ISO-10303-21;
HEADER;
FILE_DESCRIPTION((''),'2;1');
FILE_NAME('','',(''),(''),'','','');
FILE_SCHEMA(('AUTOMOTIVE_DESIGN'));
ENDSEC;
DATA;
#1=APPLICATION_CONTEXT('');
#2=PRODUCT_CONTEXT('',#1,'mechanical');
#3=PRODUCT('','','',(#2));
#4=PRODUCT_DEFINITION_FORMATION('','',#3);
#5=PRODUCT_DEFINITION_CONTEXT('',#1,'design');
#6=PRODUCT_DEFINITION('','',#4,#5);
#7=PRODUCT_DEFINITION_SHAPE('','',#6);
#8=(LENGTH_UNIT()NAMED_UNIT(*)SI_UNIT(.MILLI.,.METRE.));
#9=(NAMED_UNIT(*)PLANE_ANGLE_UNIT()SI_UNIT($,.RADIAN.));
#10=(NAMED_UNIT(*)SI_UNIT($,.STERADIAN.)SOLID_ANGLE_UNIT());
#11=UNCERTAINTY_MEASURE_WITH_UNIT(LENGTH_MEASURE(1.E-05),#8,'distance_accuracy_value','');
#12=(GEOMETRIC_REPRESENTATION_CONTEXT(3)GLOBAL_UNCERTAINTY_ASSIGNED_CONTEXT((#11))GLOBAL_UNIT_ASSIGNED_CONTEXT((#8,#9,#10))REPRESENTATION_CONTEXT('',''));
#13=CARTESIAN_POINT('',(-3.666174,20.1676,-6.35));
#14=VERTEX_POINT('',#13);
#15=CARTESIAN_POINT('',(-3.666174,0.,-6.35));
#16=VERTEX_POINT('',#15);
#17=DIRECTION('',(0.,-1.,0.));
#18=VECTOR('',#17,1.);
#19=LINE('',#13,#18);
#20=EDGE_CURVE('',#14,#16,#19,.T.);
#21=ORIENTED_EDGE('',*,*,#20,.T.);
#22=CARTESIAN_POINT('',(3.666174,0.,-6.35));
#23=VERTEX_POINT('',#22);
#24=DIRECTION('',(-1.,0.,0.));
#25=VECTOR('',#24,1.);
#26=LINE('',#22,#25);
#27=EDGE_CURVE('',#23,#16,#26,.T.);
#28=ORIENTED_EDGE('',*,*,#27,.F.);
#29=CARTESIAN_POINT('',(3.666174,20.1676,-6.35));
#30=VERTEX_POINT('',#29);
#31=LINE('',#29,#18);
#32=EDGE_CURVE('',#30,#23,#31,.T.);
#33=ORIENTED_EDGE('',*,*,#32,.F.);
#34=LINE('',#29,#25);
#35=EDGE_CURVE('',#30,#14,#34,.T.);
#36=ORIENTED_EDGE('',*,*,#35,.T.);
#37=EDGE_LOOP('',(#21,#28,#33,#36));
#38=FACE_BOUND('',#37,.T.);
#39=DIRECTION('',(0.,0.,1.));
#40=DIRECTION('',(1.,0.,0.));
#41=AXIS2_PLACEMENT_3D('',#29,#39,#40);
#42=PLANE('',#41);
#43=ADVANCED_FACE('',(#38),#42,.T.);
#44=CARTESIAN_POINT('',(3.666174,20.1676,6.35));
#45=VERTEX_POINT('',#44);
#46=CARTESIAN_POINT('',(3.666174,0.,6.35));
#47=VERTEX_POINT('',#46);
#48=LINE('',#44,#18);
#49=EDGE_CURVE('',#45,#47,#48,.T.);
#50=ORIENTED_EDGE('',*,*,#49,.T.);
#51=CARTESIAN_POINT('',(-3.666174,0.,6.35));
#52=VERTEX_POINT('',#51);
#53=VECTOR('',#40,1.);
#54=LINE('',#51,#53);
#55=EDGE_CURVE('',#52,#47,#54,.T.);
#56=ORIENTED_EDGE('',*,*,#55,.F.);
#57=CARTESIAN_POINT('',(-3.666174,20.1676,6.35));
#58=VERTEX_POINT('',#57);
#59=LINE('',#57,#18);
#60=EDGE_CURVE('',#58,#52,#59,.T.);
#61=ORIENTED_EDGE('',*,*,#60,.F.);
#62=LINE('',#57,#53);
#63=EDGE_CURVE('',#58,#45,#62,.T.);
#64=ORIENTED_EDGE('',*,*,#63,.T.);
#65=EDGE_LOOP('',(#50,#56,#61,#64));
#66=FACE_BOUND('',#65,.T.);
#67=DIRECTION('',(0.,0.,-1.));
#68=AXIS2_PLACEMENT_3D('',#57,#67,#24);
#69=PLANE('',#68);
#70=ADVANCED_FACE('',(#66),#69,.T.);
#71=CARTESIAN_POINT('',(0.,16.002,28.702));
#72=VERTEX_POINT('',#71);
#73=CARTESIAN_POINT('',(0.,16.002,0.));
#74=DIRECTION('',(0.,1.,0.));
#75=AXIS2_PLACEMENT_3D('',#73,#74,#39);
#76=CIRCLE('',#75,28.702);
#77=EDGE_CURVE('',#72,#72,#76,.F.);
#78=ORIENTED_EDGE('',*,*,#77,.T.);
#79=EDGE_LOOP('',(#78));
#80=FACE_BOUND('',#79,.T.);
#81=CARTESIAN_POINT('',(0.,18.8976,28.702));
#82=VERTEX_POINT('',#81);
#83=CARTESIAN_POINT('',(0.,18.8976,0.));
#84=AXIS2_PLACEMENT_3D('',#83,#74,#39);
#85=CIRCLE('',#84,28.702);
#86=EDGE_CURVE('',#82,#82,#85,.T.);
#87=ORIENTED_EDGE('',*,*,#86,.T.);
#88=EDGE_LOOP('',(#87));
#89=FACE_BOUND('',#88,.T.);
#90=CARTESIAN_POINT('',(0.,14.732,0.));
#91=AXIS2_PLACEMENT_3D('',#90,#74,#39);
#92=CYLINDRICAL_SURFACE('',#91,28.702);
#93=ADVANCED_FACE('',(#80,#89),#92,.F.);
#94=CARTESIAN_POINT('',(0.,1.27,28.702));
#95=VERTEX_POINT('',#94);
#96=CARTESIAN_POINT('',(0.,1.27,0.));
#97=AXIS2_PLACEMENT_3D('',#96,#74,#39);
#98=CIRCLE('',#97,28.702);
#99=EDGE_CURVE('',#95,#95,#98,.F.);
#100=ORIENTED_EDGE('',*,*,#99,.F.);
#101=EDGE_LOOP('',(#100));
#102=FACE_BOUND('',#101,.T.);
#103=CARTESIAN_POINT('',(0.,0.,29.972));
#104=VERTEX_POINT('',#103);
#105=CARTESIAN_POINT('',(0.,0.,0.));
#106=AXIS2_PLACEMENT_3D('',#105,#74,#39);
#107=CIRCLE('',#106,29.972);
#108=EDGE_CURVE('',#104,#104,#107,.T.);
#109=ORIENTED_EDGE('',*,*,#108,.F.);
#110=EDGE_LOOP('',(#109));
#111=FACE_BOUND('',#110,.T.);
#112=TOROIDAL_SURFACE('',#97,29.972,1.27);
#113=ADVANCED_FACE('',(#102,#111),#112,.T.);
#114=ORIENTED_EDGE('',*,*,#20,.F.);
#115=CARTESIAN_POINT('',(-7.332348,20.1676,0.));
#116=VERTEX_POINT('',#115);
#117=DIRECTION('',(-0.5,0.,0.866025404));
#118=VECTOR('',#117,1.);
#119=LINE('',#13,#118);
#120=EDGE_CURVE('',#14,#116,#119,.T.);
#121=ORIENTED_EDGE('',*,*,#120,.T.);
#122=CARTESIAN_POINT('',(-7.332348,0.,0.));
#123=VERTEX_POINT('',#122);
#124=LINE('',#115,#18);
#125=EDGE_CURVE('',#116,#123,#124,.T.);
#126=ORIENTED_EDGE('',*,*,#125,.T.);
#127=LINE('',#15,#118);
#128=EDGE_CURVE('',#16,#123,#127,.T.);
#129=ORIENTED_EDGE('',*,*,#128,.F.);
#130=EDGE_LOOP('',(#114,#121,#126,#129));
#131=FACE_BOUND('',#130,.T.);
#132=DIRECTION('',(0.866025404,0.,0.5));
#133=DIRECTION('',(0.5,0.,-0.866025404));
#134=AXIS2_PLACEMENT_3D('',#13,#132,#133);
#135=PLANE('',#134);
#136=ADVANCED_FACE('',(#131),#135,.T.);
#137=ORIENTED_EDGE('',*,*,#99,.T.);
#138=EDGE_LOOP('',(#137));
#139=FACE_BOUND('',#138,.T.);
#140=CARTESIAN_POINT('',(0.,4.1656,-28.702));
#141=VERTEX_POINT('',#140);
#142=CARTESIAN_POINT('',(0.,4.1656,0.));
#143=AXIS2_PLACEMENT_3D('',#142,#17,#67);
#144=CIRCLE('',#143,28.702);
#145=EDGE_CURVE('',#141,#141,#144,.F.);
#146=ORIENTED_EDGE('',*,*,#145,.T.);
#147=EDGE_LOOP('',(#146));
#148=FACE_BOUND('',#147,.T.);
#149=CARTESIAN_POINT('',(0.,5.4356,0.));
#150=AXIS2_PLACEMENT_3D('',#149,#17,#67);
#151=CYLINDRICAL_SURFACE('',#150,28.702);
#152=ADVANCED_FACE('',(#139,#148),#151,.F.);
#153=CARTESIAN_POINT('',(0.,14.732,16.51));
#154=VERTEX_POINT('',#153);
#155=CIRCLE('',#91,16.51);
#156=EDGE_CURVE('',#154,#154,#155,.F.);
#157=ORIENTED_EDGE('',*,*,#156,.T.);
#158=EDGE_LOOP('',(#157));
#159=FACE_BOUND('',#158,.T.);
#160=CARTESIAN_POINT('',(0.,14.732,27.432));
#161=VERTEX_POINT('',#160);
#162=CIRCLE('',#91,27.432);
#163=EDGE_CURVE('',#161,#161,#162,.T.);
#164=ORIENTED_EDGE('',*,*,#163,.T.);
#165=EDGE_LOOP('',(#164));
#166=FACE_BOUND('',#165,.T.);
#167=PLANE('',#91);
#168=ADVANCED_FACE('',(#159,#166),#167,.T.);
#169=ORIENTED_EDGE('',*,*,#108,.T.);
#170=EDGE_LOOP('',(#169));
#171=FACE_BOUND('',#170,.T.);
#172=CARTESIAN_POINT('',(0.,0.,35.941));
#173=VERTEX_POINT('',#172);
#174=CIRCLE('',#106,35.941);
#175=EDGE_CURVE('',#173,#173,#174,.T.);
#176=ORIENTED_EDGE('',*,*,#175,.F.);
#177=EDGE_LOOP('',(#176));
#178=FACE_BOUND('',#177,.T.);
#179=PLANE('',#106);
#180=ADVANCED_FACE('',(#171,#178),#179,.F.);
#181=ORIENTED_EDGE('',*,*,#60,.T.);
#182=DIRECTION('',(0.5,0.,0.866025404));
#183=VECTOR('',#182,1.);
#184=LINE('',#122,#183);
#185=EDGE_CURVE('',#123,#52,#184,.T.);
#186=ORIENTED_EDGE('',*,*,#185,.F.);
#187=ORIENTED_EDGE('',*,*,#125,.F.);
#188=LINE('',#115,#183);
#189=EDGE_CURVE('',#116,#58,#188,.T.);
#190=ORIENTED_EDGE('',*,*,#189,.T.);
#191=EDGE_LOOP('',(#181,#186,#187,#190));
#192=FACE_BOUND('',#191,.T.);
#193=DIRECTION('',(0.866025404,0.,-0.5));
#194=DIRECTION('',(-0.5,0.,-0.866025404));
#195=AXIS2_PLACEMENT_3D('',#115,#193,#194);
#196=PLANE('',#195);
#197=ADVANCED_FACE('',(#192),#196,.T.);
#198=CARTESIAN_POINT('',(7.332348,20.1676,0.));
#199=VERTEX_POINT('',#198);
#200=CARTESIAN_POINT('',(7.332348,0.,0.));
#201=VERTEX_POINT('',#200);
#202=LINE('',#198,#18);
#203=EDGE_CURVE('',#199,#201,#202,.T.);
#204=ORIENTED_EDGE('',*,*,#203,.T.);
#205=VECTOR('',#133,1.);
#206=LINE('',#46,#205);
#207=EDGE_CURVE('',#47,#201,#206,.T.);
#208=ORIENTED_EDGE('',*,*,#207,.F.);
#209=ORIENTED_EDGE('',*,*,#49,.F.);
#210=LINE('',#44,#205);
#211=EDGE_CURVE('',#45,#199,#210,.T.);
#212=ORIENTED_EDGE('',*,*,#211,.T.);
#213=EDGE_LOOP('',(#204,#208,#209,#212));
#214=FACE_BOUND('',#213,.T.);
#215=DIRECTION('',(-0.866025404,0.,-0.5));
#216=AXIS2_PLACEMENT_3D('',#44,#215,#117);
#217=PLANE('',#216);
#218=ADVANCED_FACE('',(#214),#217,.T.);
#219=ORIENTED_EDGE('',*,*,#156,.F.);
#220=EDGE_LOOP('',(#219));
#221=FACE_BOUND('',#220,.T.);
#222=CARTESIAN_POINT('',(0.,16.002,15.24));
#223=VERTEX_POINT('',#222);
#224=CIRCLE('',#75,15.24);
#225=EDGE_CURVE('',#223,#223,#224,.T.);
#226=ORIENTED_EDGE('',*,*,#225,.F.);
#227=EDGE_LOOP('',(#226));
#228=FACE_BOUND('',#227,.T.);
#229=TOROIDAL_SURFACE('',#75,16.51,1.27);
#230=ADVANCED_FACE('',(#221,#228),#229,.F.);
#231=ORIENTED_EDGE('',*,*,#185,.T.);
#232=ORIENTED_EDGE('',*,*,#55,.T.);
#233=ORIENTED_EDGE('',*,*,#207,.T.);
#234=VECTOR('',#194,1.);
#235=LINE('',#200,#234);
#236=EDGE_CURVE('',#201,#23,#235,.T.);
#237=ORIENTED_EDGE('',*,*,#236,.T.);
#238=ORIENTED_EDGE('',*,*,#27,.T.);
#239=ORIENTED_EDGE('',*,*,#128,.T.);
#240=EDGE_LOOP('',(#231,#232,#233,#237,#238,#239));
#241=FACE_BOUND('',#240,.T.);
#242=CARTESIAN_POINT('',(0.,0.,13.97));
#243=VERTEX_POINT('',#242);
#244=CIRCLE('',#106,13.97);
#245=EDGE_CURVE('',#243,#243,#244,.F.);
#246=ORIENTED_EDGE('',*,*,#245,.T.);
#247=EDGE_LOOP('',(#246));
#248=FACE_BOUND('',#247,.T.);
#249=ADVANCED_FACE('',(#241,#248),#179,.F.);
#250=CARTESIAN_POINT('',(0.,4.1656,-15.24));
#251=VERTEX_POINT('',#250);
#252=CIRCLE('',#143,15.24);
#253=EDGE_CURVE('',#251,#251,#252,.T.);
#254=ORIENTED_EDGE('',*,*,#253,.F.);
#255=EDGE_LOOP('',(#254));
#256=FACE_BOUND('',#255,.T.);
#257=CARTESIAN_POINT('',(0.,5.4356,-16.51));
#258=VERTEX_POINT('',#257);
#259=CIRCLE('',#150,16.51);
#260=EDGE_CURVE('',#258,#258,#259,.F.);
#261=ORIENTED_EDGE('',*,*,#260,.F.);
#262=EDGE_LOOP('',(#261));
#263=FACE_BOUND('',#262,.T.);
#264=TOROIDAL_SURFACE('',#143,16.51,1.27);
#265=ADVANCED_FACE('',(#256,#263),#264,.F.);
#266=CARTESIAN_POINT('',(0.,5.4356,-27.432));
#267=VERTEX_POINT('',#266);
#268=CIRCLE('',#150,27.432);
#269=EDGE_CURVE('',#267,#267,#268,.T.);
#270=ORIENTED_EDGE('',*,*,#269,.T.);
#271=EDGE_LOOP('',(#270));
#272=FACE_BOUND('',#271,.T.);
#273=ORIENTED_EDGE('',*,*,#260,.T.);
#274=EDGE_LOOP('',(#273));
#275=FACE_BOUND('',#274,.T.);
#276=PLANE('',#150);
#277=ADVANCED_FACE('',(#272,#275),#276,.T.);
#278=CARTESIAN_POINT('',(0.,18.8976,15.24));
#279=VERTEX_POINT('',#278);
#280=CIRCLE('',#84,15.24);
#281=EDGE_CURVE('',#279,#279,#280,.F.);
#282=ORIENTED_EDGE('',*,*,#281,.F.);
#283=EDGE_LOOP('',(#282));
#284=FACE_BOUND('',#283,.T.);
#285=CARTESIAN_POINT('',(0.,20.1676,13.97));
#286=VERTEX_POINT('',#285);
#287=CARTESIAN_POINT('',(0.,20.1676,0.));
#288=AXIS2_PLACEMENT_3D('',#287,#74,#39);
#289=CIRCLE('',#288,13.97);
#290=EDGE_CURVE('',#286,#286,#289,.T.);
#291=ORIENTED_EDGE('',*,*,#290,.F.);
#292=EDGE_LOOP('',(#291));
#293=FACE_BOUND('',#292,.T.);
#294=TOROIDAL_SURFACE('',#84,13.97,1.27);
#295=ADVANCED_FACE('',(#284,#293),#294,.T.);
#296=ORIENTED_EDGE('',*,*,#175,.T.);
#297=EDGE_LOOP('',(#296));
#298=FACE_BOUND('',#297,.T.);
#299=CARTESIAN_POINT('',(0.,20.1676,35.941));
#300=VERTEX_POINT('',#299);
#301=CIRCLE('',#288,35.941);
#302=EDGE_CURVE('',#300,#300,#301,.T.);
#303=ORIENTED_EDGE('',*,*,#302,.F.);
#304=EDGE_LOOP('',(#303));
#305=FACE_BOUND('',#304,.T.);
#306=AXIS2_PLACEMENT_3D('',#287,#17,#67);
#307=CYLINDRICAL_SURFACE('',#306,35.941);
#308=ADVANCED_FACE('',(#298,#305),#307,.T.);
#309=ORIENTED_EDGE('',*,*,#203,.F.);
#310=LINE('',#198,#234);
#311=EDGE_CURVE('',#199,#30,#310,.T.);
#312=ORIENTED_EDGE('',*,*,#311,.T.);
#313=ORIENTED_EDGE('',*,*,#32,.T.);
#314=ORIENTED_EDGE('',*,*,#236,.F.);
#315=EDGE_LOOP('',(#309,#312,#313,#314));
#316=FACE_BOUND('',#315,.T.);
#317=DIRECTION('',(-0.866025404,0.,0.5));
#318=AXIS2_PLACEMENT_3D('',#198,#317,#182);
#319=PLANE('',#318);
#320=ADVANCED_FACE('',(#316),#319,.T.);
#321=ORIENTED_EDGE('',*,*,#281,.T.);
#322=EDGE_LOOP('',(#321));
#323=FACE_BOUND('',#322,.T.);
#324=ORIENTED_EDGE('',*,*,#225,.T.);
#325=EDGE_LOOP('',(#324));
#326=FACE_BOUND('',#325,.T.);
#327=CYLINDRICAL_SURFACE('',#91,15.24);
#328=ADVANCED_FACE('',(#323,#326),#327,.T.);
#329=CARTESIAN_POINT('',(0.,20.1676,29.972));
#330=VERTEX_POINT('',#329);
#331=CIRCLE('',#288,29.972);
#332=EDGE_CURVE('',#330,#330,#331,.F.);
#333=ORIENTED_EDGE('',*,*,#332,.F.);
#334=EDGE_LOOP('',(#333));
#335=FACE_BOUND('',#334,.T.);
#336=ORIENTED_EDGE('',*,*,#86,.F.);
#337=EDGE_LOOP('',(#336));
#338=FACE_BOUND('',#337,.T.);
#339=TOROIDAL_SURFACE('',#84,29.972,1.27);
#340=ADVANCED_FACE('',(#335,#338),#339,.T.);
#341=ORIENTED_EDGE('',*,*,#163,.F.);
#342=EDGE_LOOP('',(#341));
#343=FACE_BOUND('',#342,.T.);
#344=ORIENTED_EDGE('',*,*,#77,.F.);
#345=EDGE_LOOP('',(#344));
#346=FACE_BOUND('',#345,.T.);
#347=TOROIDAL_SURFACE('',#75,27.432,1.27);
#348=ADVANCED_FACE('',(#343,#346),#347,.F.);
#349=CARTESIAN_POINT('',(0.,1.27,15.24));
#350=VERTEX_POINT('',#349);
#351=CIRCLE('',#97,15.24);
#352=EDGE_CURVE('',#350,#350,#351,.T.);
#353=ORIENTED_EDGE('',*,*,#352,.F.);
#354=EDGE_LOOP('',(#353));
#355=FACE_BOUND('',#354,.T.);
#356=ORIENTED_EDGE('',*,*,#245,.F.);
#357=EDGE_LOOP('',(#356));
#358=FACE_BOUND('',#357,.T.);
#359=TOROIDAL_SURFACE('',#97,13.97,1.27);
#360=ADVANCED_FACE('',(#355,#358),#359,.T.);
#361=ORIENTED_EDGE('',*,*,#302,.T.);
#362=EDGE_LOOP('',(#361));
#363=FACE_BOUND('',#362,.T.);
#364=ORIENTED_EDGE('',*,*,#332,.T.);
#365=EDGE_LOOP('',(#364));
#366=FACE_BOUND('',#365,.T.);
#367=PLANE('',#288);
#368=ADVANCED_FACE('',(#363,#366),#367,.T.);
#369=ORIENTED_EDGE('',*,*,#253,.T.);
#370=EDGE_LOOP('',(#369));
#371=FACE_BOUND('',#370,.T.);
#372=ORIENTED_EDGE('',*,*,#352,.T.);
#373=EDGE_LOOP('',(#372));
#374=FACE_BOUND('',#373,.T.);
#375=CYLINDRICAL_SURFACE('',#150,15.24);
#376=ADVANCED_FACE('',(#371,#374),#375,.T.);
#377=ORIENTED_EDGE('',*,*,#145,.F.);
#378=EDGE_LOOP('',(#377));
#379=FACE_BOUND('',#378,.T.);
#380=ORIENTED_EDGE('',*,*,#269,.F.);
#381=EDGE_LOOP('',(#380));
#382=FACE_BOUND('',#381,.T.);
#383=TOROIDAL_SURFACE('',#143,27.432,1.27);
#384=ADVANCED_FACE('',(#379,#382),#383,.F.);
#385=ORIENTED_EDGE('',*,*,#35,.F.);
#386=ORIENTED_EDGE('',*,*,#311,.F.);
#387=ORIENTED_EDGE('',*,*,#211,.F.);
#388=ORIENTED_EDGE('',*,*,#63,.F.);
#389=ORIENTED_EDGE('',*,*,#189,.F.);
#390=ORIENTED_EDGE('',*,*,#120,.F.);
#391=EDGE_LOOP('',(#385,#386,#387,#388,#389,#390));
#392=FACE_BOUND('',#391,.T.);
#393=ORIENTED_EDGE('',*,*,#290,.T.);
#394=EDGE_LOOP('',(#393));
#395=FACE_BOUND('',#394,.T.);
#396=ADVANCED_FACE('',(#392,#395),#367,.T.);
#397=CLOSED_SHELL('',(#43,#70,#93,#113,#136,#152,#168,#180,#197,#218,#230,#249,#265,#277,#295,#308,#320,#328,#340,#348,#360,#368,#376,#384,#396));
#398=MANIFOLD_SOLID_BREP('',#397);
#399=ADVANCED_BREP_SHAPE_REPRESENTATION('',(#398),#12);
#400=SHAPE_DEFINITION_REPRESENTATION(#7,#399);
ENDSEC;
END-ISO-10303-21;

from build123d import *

# Parameters (mm, degrees)
SKETCH1_R           = 35.941
BOSS_EXTRUDE1_DEPTH = 20.1676
SKETCH2_R           = 28.702
SKETCH2_R_2         = 15.24
CUT_EXTRUDE1_DEPTH  = 5.4356
CUT_EXTRUDE2_START  = -5.4356
SKETCH3_R           = 28.702
SKETCH3_R_2         = 15.24
CUT_EXTRUDE2_DEPTH  = 5.4356
FILLET2_R           = 1.27


with BuildPart() as part:
    # Sketch1 → Boss-Extrude1 (new body)
    with BuildSketch(Plane(origin=(0, 0, 0), x_dir=(1, 0, 0), z_dir=(0, 1, 0))):
        with Locations(Location((0, 0, 0), (0, 0, 270))):
            Circle(SKETCH1_R)
        Polygon((3.666174209, -6.35), (7.332348419, 0), (3.666174209, 6.35), (-3.666174209, 6.35), (-7.332348419, 0), (-3.666174209, -6.35), align=None, mode=Mode.SUBTRACT)
    extrude(amount=BOSS_EXTRUDE1_DEPTH)

    # Sketch2 → Cut-Extrude1 (cut)
    with BuildSketch(Plane(origin=(0, 20.1676, 0), x_dir=(1, 0, 0), z_dir=(0, 1, 0))):
        with Locations(Location((0, 0, 0), (0, 0, 270))):
            Circle(SKETCH2_R)
        with Locations(Location((0, 0, 0), (0, 0, 270))):
            Circle(SKETCH2_R_2, mode=Mode.SUBTRACT)
    extrude(amount=-CUT_EXTRUDE1_DEPTH, mode=Mode.SUBTRACT)

    # Sketch3 → Cut-Extrude2 (cut)
    with BuildSketch(Plane.XZ.offset(CUT_EXTRUDE2_START)):
        with Locations(Location((0, 0, 0), (0, 0, 90))):
            Circle(SKETCH3_R)
        with Locations(Location((0, 0, 0), (0, 0, 90))):
            Circle(SKETCH3_R_2, mode=Mode.SUBTRACT)
    extrude(amount=CUT_EXTRUDE2_DEPTH, mode=Mode.SUBTRACT)

    # Fillet2
    fillet2_edges = [part.edges().sort_by_distance(p)[0] for p in [
        (0, 14.732, -28.702),
        (0, 14.732, -15.24),
        (0, 20.1676, -28.702),
        (0, 20.1676, -15.24),
        (0, 5.4356, -28.702),
        (0, 5.4356, -15.24),
        (0, 0, -28.702),
        (0, 0, -15.24),
    ]]
    fillet(fillet2_edges, radius=FILLET2_R)


solid = part.part
